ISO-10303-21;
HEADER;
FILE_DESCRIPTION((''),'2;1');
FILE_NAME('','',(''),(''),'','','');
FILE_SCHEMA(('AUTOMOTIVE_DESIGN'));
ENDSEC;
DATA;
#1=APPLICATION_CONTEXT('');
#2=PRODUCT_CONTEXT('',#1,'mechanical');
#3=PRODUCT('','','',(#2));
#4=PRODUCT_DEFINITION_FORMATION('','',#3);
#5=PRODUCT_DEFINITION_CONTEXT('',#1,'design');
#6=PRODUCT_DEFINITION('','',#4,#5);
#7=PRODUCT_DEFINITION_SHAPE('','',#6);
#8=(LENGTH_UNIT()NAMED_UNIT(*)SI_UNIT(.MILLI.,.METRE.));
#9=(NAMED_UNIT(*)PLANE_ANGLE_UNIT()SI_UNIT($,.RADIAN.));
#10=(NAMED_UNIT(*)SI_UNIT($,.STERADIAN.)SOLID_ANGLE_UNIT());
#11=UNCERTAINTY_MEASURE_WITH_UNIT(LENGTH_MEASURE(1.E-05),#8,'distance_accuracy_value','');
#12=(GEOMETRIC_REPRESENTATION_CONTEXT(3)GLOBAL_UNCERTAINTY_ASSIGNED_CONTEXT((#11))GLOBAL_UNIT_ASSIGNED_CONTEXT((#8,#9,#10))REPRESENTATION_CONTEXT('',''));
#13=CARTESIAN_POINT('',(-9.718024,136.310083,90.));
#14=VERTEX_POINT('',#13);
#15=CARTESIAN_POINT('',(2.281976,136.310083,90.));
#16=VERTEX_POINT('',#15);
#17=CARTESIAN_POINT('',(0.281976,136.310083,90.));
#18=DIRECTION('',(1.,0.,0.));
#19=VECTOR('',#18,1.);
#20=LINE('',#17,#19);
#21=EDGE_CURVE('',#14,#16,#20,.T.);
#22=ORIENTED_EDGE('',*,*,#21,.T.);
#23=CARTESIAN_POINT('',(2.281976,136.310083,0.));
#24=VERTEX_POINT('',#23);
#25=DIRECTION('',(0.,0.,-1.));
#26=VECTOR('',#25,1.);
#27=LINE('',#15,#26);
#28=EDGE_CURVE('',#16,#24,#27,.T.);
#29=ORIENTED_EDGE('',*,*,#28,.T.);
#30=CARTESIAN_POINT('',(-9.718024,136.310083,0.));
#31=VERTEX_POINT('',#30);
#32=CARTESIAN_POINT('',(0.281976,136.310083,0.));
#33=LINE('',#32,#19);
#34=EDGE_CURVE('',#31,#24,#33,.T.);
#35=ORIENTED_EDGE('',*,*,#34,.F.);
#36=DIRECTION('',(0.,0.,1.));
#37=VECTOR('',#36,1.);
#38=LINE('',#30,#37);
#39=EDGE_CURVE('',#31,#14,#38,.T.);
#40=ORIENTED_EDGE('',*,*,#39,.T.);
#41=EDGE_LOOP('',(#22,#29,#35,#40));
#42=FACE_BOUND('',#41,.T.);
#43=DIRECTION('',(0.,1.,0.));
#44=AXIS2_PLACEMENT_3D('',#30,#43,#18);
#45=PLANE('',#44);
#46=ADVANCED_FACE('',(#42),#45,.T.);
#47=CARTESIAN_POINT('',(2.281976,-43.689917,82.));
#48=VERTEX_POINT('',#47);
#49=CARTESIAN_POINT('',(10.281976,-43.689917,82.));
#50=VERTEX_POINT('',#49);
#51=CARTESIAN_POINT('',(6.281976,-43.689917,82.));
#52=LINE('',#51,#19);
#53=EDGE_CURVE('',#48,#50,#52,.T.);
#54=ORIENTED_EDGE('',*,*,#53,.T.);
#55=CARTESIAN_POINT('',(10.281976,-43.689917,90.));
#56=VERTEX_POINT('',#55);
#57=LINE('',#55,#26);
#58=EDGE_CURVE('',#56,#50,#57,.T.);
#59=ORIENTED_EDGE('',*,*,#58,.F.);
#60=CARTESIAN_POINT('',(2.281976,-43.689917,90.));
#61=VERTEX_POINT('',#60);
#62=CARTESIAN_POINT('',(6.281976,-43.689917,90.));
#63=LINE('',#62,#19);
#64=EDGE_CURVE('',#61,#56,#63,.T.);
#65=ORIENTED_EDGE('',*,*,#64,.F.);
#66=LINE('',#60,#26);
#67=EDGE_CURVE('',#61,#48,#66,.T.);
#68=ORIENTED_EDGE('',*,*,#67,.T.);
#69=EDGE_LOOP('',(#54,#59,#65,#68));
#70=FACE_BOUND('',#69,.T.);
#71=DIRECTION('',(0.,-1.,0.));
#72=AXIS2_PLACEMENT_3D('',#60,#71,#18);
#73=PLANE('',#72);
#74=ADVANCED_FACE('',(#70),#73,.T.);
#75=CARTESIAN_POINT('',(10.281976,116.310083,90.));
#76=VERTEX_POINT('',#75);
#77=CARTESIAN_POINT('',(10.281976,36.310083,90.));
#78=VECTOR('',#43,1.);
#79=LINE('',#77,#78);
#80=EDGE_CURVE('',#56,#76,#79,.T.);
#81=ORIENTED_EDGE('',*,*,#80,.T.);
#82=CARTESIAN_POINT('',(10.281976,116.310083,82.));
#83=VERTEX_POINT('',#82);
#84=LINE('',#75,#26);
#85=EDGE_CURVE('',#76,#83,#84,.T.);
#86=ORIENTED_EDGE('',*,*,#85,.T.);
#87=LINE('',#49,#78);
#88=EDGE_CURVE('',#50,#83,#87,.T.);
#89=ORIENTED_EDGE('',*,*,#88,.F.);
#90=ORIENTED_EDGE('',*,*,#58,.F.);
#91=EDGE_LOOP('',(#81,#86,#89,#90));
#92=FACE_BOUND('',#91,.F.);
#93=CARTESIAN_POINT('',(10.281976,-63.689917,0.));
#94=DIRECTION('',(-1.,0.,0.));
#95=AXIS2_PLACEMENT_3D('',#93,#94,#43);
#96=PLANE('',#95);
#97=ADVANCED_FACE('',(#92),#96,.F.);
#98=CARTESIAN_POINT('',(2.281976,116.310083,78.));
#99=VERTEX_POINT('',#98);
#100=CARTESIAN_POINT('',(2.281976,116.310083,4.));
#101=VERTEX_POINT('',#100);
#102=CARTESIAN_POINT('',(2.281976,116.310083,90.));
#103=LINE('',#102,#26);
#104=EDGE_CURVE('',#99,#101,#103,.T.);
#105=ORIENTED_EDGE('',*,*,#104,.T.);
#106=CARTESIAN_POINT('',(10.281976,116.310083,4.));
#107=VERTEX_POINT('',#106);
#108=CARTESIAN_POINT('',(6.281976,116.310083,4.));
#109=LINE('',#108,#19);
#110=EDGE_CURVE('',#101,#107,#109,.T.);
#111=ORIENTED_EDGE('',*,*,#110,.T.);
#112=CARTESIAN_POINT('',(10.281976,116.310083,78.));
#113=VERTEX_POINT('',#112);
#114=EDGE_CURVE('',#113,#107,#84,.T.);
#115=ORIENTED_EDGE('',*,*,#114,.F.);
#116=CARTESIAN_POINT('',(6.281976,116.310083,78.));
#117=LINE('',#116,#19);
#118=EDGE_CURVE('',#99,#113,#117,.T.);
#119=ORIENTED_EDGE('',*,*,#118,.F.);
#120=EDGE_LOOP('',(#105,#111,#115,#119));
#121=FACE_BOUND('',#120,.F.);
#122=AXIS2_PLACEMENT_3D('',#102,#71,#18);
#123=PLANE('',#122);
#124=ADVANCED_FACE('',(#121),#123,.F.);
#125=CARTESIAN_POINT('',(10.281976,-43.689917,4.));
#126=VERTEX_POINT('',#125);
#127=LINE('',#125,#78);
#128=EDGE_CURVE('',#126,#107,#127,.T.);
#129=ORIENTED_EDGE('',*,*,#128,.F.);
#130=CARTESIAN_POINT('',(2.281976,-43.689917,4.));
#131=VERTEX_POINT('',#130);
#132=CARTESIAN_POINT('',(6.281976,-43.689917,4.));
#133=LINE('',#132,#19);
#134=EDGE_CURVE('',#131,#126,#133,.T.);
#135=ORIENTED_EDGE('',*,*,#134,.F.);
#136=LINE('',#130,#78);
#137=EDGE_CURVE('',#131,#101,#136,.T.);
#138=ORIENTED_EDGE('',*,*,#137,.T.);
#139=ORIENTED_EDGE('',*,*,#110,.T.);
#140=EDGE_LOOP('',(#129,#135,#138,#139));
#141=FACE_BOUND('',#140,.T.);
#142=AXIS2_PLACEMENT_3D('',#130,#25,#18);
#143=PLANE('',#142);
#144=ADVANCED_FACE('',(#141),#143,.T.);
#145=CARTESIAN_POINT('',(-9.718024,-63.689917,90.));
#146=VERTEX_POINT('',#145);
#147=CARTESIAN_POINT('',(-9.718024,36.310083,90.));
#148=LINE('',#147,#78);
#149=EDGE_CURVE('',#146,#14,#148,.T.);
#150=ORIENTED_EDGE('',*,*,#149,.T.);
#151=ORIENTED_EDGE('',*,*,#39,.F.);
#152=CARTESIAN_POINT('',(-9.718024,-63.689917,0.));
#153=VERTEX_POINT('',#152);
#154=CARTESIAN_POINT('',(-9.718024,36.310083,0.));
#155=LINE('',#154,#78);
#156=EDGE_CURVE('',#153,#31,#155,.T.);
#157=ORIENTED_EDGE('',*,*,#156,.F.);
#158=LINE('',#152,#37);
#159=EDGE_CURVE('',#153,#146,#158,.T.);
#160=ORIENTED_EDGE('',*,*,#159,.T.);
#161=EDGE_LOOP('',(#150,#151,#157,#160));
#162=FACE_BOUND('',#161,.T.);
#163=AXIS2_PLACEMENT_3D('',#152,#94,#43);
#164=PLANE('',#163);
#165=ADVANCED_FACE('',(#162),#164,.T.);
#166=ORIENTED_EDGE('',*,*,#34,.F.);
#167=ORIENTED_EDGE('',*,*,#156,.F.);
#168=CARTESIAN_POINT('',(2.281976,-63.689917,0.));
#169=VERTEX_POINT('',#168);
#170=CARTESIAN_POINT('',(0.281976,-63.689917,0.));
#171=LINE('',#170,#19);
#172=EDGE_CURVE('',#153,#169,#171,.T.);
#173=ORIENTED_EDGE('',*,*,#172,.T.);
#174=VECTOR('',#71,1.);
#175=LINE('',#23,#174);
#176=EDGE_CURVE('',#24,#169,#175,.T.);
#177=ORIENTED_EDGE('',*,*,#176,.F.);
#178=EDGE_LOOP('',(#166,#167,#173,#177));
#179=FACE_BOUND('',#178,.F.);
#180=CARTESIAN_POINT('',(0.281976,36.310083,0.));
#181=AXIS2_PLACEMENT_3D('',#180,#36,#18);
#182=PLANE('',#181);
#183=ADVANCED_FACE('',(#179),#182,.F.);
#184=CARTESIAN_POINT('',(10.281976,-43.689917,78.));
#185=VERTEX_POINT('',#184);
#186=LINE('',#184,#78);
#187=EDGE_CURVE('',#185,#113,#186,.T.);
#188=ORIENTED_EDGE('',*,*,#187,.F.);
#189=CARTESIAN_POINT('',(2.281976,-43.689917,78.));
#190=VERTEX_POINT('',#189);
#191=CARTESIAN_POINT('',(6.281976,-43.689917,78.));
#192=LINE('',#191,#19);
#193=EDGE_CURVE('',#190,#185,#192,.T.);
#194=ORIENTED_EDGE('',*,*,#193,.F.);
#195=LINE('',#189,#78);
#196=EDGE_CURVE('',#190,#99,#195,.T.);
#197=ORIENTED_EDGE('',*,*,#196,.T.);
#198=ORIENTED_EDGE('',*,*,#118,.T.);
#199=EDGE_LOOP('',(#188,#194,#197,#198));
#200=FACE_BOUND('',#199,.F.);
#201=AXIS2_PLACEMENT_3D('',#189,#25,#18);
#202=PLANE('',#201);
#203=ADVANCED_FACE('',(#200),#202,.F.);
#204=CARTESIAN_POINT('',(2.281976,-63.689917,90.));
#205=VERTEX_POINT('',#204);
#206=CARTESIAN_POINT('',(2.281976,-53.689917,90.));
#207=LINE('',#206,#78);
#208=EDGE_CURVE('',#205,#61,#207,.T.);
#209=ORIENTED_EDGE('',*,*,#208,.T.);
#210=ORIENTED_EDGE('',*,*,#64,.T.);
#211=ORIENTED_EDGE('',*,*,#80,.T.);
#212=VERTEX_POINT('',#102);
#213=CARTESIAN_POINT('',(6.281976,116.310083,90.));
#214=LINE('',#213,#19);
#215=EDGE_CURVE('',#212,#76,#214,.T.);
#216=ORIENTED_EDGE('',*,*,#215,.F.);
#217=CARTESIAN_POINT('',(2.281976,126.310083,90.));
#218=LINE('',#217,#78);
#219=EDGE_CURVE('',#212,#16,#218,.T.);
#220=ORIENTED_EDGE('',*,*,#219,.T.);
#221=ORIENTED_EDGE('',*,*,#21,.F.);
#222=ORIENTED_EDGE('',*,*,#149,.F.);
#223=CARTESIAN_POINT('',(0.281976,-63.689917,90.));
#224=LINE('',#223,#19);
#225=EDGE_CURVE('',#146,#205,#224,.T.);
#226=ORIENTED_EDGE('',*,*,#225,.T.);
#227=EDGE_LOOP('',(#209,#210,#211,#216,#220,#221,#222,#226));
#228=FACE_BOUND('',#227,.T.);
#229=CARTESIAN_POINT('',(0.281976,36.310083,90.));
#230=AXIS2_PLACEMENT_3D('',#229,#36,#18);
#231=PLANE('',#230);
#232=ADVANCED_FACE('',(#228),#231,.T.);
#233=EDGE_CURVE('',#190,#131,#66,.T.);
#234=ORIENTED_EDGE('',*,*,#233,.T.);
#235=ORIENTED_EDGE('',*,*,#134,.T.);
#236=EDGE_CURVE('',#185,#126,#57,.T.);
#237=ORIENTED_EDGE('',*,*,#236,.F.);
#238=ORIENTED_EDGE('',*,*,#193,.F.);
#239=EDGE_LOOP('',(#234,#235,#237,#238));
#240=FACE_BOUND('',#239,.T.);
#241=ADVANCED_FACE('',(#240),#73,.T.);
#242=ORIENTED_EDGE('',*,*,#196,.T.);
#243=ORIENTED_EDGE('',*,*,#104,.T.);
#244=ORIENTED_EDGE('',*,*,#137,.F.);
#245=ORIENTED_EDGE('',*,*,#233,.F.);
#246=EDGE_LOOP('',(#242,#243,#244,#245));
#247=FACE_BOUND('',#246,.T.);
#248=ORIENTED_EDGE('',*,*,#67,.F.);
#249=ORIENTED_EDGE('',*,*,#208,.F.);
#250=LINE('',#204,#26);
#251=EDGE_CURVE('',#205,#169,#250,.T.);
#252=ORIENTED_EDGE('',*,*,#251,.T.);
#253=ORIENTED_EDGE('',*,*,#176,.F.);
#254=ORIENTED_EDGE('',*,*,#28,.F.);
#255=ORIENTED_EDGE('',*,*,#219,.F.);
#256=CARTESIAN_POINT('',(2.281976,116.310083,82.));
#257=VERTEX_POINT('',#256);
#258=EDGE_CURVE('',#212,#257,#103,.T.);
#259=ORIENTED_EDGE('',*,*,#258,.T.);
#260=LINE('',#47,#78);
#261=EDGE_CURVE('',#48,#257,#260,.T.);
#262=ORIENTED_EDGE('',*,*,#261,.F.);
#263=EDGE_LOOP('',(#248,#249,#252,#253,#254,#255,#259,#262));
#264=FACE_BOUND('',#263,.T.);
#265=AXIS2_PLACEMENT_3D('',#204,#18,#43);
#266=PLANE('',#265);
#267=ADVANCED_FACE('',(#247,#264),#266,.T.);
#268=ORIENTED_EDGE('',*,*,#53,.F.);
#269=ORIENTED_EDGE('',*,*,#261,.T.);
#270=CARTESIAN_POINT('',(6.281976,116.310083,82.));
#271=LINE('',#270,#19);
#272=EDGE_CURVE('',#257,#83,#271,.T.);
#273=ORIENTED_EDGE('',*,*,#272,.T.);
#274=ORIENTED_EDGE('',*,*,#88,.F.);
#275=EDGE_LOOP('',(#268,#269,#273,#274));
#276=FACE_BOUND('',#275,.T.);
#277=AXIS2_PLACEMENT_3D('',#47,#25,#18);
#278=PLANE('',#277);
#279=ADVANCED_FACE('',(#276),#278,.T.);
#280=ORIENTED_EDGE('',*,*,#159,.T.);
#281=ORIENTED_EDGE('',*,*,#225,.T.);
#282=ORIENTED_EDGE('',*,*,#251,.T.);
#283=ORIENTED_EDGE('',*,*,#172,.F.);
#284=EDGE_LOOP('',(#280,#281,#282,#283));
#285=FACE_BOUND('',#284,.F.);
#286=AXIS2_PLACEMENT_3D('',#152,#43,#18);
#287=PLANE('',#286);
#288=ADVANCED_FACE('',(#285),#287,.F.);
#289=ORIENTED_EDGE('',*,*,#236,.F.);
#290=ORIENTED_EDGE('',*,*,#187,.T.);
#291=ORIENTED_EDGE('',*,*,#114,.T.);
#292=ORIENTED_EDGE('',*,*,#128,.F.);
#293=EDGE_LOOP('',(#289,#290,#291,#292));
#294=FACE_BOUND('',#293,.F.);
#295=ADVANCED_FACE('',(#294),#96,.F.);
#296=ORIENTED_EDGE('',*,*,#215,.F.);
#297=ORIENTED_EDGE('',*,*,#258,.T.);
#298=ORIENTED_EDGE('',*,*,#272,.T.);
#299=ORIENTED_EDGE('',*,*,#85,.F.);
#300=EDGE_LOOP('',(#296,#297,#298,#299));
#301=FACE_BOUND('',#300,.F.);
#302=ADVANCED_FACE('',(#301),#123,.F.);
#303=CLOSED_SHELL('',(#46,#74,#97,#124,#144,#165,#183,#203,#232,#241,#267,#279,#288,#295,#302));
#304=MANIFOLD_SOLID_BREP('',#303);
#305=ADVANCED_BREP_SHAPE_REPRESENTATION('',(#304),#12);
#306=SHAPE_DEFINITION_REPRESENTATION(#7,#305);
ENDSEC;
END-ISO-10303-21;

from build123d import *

# Parameters (mm, degrees)
F0_W     = 20
F0_H     = 200
F1_DEPTH = 90
F2_W     = 8
F2_H     = 20
F3_DEPTH = 90
F4_W     = 8
F4_H     = 4
F5_DEPTH = 160


with BuildPart() as f1:
    # F0 (on Top) → F1 (new body)
    with BuildSketch(Plane.XY):
        with Locations((0.281976, 36.310083)):
            Rectangle(F0_W, F0_H)
    extrude(amount=F1_DEPTH)

    # F2 (on face) → F3 (cut, through all)
    with BuildSketch(Plane.XY.offset(90)):
        with Locations((6.281976, 126.310083)):
            Rectangle(F2_W, F2_H)
        with Locations((6.281976, -53.689917)):
            Rectangle(F2_W, F2_H)
    extrude(amount=-F3_DEPTH, mode=Mode.SUBTRACT)

    # F4 (on face) → F5 (cut, through all)
    with BuildSketch(Plane.XZ.offset(43.689917)):
        with Locations((6.281976, 80)):
            Rectangle(F4_W, F4_H)
        with Locations((6.281976, 2)):
            Rectangle(F4_W, F4_H)
    extrude(amount=-F5_DEPTH, mode=Mode.SUBTRACT)


solid = f1.part
